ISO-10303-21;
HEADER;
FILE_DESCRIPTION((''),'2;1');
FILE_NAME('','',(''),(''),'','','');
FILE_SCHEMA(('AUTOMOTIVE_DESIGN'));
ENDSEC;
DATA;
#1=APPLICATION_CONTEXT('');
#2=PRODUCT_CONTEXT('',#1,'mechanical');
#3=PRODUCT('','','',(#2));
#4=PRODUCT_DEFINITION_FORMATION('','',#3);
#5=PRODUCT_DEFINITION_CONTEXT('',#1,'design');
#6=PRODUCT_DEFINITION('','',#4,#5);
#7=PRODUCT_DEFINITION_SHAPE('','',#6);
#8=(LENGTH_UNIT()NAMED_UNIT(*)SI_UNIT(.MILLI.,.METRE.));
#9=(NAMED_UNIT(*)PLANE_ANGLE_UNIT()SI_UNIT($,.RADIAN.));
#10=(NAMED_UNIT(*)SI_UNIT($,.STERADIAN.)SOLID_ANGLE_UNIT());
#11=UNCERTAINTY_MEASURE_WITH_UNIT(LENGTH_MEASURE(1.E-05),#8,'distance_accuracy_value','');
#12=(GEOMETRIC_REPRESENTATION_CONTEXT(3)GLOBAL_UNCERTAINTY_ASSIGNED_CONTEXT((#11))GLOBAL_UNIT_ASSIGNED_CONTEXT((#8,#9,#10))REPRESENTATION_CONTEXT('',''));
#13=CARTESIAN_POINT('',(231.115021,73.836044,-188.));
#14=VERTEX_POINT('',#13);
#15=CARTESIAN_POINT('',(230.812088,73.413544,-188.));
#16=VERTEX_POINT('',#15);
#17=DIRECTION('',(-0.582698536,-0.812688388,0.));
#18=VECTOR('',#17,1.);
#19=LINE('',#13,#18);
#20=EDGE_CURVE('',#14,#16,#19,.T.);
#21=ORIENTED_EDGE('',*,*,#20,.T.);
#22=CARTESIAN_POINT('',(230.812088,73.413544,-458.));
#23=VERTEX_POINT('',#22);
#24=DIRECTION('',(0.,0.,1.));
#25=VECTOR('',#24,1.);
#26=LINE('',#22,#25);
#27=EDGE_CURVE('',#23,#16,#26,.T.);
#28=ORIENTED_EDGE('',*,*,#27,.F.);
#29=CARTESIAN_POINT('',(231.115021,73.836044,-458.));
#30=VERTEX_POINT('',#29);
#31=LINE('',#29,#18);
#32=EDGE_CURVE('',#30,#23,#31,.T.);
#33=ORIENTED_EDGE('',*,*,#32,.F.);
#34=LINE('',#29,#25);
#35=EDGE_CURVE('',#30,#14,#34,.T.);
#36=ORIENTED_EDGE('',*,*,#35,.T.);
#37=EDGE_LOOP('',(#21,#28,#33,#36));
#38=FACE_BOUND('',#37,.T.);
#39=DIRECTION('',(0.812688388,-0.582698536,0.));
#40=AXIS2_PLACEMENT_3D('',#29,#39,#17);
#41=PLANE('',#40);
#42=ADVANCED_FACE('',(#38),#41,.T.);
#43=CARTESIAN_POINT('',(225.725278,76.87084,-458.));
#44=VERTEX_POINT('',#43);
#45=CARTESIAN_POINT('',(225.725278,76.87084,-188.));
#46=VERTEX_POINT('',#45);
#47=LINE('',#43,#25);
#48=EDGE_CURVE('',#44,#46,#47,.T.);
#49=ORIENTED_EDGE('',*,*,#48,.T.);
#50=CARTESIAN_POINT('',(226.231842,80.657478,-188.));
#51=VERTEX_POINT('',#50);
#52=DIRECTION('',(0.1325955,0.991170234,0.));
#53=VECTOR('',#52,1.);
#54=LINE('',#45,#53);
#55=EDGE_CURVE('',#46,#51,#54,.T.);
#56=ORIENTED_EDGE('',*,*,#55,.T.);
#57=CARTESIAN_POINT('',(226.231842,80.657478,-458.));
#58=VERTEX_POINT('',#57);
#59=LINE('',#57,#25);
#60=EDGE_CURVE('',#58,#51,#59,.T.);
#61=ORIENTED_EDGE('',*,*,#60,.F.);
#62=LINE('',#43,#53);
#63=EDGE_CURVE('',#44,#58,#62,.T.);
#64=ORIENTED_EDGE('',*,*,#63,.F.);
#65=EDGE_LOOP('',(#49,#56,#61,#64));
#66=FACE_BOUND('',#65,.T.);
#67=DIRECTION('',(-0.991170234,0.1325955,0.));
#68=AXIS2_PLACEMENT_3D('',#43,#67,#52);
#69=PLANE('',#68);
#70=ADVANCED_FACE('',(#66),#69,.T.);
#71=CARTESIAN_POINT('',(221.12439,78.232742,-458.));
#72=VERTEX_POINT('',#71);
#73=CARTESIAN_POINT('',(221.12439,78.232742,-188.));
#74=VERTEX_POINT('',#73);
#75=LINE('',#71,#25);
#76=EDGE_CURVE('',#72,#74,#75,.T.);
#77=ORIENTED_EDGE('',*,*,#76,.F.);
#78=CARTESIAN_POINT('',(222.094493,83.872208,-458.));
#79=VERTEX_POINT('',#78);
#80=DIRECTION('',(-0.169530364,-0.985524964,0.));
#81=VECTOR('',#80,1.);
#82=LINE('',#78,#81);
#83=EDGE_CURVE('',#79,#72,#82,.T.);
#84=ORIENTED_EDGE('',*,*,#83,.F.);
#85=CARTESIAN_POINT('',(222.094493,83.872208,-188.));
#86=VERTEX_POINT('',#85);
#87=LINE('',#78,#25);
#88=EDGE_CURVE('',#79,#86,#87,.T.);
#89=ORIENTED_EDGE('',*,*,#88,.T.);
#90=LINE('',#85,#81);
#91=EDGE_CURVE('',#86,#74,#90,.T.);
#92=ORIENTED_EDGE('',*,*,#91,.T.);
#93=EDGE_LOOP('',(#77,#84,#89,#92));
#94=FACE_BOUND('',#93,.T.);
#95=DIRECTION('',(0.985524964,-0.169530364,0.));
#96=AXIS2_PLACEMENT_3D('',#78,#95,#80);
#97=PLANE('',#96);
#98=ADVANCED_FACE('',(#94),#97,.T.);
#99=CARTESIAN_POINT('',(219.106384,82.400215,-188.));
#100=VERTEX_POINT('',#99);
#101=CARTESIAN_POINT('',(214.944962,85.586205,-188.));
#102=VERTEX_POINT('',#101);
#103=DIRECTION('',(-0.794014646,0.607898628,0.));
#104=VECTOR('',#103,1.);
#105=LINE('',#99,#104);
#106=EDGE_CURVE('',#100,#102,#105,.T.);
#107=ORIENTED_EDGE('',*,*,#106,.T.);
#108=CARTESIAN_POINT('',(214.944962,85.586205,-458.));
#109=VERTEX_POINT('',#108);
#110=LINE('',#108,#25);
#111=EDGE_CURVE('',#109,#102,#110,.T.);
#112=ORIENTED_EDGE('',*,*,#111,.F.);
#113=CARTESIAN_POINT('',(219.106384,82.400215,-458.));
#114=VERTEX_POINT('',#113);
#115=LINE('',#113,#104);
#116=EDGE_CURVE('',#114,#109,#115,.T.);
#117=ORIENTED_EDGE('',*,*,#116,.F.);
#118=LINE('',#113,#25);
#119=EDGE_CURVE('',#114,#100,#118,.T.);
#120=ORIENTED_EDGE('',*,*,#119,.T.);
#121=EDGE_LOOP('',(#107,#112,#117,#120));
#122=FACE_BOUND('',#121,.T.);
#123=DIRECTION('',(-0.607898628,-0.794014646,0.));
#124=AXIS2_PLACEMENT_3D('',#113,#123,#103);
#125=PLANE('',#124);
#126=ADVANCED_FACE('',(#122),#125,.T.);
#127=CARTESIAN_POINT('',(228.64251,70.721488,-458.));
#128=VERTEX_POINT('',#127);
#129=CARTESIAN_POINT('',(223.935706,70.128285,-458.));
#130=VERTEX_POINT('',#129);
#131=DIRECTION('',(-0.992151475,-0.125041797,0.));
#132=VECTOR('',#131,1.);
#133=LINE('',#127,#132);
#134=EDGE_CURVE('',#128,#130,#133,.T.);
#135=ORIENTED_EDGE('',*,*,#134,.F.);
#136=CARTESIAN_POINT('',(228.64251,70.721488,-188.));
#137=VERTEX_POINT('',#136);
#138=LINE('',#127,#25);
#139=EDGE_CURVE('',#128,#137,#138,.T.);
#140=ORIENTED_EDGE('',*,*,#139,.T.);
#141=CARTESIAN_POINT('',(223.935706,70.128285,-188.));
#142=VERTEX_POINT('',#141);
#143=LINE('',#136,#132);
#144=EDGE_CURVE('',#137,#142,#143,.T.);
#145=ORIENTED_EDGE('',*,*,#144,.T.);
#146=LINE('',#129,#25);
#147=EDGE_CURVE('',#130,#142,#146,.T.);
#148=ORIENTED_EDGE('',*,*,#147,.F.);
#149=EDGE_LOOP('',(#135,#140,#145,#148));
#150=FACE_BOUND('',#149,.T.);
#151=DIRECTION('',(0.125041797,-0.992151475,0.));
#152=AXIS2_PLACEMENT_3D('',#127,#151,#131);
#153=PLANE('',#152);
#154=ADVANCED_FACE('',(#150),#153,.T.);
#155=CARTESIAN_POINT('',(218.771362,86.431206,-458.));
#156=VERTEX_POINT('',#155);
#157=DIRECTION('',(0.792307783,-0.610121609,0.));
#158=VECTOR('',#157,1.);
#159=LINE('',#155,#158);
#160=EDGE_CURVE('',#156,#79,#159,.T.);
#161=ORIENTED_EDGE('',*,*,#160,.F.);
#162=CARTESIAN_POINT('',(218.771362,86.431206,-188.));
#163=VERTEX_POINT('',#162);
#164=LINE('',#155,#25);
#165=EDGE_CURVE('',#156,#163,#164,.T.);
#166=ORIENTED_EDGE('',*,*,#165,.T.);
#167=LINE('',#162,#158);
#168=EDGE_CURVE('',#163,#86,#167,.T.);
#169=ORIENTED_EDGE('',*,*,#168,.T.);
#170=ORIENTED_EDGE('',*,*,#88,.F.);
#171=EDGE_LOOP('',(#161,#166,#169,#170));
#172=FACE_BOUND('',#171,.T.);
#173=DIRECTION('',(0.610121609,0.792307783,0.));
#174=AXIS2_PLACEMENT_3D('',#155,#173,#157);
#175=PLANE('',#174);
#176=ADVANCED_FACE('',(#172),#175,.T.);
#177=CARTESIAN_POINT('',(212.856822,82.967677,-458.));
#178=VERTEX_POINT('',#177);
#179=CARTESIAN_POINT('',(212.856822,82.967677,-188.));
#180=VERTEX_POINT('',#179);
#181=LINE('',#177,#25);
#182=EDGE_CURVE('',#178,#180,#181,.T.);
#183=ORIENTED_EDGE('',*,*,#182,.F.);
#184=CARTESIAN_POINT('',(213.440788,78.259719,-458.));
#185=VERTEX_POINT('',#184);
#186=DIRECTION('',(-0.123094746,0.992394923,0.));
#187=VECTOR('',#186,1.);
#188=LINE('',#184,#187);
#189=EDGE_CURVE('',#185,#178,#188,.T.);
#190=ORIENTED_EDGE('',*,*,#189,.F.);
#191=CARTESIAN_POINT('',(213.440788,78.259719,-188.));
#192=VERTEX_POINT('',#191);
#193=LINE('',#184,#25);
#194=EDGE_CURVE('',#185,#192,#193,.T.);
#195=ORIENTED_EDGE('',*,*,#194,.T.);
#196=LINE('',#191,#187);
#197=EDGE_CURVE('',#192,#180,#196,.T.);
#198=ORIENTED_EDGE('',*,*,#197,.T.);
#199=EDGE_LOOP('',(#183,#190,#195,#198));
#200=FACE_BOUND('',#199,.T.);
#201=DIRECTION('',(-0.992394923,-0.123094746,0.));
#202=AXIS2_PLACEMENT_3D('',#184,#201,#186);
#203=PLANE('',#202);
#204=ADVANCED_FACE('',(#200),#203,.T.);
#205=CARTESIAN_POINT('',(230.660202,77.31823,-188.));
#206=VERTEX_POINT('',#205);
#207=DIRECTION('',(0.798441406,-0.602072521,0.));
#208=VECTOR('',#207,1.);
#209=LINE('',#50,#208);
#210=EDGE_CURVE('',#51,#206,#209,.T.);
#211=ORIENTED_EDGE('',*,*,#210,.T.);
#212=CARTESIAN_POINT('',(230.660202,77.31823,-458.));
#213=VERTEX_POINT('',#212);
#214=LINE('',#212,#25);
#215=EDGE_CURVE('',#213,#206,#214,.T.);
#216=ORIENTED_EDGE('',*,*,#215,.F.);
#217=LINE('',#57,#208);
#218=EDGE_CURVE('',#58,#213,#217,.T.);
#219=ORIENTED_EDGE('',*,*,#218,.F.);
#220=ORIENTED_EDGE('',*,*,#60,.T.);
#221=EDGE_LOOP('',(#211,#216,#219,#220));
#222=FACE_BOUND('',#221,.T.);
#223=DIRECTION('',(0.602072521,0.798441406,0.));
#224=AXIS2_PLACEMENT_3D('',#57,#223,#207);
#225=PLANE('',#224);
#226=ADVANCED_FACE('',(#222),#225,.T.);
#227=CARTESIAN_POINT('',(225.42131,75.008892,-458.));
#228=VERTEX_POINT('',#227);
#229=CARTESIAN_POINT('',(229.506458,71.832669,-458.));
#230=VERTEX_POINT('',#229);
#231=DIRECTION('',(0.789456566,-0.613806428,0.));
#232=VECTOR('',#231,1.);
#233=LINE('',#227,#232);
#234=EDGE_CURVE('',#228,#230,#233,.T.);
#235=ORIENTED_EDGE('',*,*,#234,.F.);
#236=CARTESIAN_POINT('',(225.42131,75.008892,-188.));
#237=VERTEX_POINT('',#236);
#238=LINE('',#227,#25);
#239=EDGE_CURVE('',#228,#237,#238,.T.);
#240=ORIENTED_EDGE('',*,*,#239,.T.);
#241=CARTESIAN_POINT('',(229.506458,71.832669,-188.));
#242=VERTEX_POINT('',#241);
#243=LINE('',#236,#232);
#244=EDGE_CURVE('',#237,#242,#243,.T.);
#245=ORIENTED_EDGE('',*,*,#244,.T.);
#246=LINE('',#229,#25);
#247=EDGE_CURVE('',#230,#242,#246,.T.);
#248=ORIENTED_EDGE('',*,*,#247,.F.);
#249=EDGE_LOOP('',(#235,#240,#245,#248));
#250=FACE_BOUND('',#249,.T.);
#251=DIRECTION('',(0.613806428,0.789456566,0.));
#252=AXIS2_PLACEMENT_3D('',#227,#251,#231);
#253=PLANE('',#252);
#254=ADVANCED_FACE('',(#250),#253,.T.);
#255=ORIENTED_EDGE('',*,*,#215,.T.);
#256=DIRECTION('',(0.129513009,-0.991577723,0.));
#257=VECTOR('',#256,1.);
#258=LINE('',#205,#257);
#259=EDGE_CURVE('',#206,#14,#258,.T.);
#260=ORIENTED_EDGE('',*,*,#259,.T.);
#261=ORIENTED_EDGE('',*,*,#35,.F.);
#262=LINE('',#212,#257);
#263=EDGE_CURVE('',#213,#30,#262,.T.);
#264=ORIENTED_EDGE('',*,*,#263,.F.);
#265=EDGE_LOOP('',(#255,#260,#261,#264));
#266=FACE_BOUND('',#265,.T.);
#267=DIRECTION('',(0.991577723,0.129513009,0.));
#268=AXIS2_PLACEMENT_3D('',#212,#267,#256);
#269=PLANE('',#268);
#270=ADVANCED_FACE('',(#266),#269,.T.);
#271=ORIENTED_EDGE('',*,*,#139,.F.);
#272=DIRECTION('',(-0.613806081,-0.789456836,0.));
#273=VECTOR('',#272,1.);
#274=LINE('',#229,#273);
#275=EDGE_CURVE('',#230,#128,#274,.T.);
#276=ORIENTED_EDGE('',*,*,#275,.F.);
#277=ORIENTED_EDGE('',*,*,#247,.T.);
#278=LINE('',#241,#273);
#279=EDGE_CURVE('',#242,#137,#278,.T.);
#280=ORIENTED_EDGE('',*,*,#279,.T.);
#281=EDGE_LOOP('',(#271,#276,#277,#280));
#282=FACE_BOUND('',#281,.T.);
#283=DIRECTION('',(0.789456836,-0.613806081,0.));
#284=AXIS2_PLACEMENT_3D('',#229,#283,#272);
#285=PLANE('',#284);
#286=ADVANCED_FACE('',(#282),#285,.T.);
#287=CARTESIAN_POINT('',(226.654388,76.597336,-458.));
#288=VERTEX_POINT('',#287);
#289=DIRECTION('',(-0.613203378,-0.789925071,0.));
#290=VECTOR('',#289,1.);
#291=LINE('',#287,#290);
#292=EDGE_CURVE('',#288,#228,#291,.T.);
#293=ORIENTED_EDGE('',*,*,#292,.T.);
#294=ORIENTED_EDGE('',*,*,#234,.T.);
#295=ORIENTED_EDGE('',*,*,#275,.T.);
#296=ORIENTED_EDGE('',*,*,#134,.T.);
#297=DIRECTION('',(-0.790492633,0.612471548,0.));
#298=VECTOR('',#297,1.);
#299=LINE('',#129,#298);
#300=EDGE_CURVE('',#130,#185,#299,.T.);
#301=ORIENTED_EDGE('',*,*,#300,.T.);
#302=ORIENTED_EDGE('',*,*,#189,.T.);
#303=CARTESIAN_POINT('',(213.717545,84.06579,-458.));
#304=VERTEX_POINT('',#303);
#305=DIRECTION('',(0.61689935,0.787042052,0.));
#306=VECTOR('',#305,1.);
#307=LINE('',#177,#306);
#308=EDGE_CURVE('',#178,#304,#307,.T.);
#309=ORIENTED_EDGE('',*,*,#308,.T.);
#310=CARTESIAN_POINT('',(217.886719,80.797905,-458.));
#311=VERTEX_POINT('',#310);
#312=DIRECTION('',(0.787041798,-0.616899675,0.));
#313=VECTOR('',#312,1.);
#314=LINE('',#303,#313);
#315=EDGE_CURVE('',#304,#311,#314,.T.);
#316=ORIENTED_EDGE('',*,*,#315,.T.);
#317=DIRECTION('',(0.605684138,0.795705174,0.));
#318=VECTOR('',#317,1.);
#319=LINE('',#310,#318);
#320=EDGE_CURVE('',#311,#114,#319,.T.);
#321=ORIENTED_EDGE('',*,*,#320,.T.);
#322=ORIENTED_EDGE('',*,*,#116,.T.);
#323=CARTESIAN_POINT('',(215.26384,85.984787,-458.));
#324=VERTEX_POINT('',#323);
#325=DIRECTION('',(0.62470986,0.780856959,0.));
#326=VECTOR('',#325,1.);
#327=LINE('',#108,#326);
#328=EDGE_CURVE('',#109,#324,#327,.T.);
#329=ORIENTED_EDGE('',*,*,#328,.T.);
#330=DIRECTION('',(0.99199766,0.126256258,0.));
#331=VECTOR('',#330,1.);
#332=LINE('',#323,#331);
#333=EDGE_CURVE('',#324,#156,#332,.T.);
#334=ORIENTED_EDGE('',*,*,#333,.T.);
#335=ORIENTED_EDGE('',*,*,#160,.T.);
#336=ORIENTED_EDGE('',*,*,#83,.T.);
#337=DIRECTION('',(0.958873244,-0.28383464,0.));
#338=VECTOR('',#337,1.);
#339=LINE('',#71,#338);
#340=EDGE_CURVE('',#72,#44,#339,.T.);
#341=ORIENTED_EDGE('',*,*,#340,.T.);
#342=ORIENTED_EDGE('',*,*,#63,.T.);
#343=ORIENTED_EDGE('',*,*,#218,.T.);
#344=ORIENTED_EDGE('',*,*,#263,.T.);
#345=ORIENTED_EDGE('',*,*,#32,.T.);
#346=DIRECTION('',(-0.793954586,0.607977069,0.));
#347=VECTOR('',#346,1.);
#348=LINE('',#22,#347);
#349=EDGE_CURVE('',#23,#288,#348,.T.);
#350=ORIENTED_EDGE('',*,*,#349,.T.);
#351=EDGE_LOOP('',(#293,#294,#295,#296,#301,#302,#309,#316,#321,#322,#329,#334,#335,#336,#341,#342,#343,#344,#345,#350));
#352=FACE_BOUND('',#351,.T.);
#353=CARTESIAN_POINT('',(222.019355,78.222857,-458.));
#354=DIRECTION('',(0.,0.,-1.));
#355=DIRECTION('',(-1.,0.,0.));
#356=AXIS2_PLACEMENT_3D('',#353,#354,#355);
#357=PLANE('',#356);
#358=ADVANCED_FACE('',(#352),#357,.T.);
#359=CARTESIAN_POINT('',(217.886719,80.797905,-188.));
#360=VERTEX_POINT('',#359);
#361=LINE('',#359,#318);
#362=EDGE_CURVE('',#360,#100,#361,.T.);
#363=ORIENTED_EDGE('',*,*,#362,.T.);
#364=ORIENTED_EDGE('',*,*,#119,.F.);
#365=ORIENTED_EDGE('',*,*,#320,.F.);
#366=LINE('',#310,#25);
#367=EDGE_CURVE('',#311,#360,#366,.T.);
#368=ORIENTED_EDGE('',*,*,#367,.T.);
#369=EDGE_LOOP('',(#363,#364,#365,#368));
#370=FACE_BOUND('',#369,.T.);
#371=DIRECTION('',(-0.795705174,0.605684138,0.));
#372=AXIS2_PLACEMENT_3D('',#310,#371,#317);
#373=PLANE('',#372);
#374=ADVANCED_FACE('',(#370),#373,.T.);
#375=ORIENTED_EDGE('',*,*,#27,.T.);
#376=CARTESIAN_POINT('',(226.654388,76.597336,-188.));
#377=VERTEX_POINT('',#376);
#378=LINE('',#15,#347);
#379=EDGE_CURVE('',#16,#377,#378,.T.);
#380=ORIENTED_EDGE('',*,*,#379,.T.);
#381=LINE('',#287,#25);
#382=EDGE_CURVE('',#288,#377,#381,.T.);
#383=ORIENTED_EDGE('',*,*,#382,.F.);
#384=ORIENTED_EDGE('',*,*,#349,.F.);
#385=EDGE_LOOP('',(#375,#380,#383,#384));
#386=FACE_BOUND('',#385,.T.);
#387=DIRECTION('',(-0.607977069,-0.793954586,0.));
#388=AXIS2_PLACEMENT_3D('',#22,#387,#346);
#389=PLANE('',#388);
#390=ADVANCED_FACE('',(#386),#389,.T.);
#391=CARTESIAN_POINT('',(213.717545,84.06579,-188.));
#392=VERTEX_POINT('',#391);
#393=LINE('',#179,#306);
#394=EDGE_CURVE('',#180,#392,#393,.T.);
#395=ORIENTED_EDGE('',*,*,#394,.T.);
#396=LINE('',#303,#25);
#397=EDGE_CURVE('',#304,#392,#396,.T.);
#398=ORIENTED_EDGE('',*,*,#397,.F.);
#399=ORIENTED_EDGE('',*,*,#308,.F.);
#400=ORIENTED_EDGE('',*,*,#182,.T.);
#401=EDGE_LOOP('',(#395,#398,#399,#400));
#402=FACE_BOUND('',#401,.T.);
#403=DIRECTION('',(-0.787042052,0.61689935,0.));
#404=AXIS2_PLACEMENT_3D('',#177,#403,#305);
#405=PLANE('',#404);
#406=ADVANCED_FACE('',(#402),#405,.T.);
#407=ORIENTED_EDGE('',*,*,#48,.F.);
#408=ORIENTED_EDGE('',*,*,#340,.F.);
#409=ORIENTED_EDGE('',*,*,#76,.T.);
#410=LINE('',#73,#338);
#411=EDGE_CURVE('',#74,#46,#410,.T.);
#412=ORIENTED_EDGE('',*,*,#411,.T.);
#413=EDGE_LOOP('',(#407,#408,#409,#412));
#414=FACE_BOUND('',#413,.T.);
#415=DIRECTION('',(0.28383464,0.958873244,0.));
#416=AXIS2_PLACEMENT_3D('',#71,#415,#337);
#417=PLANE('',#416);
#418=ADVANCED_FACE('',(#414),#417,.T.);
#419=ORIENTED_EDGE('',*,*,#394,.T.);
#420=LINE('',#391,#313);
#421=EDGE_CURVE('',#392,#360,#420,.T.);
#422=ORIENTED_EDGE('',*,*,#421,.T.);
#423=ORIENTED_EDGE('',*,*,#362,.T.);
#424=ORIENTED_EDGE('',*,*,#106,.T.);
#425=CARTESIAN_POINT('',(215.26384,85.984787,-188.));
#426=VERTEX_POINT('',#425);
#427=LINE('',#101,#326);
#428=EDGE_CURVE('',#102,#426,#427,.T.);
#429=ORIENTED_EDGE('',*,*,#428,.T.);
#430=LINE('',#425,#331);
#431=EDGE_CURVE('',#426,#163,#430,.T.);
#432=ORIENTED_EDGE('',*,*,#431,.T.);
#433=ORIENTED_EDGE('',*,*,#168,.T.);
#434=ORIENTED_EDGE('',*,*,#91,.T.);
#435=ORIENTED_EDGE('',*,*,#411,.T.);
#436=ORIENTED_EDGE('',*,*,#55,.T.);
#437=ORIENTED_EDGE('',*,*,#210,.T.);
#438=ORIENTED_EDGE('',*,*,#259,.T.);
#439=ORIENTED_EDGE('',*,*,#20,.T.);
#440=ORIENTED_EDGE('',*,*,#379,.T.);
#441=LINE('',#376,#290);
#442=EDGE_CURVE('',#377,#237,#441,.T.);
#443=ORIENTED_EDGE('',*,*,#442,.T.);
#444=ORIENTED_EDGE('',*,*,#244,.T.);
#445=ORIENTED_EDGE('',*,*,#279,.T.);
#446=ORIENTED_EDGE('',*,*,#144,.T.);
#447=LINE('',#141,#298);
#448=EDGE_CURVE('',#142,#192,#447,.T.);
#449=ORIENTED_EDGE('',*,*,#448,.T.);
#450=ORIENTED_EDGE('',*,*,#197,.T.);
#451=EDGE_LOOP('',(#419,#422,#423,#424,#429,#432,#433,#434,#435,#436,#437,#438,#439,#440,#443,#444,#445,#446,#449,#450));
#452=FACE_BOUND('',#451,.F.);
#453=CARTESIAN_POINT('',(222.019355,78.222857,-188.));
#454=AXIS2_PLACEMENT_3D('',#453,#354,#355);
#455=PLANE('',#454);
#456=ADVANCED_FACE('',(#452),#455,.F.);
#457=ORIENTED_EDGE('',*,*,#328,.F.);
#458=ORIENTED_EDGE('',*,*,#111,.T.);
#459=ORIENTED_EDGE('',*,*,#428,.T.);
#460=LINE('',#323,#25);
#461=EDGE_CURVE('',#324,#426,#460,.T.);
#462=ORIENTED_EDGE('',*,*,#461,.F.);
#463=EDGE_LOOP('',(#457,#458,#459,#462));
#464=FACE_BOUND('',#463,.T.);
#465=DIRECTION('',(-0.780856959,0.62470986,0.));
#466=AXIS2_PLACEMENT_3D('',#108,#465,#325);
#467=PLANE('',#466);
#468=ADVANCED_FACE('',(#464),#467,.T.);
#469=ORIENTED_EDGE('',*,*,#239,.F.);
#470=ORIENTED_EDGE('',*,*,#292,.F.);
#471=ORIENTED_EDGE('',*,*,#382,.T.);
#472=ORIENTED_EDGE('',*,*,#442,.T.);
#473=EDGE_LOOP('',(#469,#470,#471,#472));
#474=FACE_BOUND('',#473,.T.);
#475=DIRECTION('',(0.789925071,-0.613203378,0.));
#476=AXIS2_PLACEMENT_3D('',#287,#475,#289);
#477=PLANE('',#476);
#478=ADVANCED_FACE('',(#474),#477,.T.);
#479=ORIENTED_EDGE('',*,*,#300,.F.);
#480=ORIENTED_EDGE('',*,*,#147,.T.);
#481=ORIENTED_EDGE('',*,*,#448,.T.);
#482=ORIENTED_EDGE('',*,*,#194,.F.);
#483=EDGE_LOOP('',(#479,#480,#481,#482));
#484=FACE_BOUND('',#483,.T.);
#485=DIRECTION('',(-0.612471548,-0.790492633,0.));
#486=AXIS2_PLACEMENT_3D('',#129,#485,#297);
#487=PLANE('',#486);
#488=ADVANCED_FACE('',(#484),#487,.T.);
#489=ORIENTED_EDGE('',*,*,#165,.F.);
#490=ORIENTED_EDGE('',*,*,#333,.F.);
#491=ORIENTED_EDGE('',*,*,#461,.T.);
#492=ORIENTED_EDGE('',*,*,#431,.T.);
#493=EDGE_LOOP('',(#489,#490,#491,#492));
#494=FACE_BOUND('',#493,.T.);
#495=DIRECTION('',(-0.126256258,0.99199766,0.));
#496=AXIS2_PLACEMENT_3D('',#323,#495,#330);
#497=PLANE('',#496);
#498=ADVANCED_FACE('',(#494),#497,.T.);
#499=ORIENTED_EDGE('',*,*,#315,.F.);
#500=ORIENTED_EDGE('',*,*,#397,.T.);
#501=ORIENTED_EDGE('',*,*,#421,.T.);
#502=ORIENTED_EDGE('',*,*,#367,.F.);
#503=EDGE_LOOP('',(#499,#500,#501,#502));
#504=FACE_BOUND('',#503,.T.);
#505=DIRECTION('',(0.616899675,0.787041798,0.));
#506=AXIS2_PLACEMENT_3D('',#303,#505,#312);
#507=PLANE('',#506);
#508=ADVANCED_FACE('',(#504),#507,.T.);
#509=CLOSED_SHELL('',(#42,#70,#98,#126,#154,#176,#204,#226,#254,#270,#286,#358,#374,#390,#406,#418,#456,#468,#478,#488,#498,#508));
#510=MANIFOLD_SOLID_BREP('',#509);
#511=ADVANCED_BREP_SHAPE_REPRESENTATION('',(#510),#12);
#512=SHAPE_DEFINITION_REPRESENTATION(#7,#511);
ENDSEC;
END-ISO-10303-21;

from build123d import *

# Parameters (mm, degrees)
PAD_DEPTH = 270


with BuildPart() as part:
    # Sketch → Pad (new body)
    with BuildSketch(Plane.XY.offset(-458)):
        Polygon((212.856822, 82.967677), (213.717545, 84.06579), (217.886719, 80.797905), (219.106384, 82.400215), (214.944962, 85.586205), (215.26384, 85.984787), (218.771362, 86.431206), (222.094493, 83.872208), (221.12439, 78.232742), (225.725278, 76.87084), (226.231842, 80.657478), (230.660202, 77.31823), (231.115021, 73.836044), (230.812088, 73.413544), (226.654388, 76.597336), (225.42131, 75.008892), (229.506458, 71.832669), (228.64251, 70.721488), (223.935706, 70.128285), (213.440788, 78.259719), align=None)
    extrude(amount=PAD_DEPTH)


solid = part.part
